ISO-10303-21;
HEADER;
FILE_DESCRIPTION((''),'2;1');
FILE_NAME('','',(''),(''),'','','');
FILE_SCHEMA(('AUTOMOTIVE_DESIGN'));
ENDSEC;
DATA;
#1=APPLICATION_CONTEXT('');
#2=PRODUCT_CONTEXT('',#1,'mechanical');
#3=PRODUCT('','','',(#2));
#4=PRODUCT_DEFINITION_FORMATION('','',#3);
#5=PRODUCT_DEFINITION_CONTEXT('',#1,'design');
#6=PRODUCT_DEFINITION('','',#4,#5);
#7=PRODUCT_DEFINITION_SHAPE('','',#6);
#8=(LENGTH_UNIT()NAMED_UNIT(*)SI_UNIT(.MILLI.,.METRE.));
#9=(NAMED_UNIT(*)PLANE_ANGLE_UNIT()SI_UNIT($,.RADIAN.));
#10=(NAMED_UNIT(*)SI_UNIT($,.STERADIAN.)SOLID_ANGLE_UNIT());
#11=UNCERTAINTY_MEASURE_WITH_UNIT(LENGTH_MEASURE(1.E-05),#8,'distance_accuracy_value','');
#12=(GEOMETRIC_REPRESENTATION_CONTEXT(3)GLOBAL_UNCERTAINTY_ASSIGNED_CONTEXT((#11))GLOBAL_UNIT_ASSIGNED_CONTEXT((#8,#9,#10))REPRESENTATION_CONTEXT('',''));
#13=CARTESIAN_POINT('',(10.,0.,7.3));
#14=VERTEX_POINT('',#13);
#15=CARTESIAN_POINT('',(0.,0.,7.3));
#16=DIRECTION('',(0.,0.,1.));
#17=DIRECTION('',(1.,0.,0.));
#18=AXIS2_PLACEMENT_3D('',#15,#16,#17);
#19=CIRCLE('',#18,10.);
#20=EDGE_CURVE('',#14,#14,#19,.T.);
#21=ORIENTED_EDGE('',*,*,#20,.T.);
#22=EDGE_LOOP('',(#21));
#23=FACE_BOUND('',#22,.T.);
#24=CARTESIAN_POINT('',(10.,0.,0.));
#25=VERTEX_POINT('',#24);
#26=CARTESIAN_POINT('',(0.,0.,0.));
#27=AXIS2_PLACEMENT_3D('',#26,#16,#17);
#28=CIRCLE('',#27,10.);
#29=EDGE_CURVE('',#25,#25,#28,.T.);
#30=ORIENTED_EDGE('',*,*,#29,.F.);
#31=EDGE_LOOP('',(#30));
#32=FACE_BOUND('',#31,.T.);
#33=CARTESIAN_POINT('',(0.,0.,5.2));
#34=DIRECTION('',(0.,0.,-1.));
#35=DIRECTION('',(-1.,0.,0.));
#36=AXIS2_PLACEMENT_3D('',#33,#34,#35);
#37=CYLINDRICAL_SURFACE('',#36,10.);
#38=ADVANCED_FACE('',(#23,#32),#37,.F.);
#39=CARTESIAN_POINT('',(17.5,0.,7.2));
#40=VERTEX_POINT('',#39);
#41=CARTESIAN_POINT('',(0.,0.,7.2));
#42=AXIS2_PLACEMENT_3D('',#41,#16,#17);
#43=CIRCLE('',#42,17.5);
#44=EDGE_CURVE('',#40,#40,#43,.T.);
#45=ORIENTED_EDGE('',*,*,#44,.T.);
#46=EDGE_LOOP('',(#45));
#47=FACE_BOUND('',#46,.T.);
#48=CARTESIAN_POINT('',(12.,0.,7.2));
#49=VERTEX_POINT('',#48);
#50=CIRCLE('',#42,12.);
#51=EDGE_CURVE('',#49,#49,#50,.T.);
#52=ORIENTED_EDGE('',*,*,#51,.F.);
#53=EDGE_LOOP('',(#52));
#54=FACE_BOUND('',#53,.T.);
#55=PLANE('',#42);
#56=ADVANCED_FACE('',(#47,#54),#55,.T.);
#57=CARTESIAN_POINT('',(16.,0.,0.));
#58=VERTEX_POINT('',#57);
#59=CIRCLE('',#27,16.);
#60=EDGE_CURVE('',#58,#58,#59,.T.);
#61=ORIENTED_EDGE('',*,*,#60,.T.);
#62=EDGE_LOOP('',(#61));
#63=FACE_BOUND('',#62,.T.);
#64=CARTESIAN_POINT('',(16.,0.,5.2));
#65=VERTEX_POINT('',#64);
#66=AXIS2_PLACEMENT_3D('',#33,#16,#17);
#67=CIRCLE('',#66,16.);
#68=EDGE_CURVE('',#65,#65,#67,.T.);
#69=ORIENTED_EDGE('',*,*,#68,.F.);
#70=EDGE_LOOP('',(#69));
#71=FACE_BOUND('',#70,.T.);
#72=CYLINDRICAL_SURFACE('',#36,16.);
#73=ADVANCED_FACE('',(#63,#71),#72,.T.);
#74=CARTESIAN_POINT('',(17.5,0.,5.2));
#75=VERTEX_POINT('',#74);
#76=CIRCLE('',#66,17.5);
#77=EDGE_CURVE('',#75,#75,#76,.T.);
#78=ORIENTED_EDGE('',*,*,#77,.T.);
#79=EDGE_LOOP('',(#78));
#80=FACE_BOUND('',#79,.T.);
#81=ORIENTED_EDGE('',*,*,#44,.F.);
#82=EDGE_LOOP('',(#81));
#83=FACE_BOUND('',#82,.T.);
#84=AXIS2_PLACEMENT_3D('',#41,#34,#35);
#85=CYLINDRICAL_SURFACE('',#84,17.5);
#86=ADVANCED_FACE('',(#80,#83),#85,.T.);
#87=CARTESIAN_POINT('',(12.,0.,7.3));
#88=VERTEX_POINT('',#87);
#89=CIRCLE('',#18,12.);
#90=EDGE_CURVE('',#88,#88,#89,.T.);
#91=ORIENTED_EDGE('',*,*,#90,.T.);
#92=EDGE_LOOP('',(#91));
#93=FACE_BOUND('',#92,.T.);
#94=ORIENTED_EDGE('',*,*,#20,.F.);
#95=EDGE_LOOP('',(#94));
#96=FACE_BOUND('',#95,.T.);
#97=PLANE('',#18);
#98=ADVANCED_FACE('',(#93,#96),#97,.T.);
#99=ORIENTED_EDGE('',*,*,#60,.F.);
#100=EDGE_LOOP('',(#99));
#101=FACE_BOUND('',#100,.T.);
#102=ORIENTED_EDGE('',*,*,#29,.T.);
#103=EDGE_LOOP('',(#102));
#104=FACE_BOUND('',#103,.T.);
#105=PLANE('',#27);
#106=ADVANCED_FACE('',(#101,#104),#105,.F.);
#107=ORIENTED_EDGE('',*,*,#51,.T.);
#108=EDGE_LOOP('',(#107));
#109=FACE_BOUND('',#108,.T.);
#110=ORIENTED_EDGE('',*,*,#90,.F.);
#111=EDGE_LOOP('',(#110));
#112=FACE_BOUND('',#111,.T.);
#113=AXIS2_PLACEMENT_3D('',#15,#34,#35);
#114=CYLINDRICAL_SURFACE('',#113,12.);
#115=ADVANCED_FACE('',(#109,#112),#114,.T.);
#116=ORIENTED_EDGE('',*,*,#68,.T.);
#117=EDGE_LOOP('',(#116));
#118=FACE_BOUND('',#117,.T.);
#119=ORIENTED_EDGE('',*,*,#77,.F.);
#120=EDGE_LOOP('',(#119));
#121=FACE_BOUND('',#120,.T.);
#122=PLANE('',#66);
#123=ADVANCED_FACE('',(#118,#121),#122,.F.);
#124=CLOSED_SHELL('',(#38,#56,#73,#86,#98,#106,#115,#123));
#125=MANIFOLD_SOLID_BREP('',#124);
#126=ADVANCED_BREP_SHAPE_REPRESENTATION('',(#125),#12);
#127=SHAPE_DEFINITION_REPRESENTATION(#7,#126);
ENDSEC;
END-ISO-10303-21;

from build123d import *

# Parameters (mm, degrees)
SKETCH1_R           = 16
SKETCH1_R_2         = 10
BOSS_EXTRUDE1_DEPTH = 5.2
SKETCH2_R           = 17.5
SKETCH2_R_2         = 10
BOSS_EXTRUDE2_DEPTH = 2
SKETCH3_R           = 12
SKETCH3_R_2         = 10
BOSS_EXTRUDE3_DEPTH = 0.1


with BuildPart() as part:
    # Sketch1 → Boss-Extrude1 (new body)
    with BuildSketch(Plane.XY):
        Circle(SKETCH1_R)
        Circle(SKETCH1_R_2, mode=Mode.SUBTRACT)
    extrude(amount=BOSS_EXTRUDE1_DEPTH)

    # Sketch2 → Boss-Extrude2 (add)
    with BuildSketch(Plane.XY.offset(5.2)):
        Circle(SKETCH2_R)
        Circle(SKETCH2_R_2, mode=Mode.SUBTRACT)
    extrude(amount=BOSS_EXTRUDE2_DEPTH)

    # Sketch3 → Boss-Extrude3 (add)
    with BuildSketch(Plane.XY.offset(7.2)):
        Circle(SKETCH3_R)
        Circle(SKETCH3_R_2, mode=Mode.SUBTRACT)
    extrude(amount=BOSS_EXTRUDE3_DEPTH)


solid = part.part
